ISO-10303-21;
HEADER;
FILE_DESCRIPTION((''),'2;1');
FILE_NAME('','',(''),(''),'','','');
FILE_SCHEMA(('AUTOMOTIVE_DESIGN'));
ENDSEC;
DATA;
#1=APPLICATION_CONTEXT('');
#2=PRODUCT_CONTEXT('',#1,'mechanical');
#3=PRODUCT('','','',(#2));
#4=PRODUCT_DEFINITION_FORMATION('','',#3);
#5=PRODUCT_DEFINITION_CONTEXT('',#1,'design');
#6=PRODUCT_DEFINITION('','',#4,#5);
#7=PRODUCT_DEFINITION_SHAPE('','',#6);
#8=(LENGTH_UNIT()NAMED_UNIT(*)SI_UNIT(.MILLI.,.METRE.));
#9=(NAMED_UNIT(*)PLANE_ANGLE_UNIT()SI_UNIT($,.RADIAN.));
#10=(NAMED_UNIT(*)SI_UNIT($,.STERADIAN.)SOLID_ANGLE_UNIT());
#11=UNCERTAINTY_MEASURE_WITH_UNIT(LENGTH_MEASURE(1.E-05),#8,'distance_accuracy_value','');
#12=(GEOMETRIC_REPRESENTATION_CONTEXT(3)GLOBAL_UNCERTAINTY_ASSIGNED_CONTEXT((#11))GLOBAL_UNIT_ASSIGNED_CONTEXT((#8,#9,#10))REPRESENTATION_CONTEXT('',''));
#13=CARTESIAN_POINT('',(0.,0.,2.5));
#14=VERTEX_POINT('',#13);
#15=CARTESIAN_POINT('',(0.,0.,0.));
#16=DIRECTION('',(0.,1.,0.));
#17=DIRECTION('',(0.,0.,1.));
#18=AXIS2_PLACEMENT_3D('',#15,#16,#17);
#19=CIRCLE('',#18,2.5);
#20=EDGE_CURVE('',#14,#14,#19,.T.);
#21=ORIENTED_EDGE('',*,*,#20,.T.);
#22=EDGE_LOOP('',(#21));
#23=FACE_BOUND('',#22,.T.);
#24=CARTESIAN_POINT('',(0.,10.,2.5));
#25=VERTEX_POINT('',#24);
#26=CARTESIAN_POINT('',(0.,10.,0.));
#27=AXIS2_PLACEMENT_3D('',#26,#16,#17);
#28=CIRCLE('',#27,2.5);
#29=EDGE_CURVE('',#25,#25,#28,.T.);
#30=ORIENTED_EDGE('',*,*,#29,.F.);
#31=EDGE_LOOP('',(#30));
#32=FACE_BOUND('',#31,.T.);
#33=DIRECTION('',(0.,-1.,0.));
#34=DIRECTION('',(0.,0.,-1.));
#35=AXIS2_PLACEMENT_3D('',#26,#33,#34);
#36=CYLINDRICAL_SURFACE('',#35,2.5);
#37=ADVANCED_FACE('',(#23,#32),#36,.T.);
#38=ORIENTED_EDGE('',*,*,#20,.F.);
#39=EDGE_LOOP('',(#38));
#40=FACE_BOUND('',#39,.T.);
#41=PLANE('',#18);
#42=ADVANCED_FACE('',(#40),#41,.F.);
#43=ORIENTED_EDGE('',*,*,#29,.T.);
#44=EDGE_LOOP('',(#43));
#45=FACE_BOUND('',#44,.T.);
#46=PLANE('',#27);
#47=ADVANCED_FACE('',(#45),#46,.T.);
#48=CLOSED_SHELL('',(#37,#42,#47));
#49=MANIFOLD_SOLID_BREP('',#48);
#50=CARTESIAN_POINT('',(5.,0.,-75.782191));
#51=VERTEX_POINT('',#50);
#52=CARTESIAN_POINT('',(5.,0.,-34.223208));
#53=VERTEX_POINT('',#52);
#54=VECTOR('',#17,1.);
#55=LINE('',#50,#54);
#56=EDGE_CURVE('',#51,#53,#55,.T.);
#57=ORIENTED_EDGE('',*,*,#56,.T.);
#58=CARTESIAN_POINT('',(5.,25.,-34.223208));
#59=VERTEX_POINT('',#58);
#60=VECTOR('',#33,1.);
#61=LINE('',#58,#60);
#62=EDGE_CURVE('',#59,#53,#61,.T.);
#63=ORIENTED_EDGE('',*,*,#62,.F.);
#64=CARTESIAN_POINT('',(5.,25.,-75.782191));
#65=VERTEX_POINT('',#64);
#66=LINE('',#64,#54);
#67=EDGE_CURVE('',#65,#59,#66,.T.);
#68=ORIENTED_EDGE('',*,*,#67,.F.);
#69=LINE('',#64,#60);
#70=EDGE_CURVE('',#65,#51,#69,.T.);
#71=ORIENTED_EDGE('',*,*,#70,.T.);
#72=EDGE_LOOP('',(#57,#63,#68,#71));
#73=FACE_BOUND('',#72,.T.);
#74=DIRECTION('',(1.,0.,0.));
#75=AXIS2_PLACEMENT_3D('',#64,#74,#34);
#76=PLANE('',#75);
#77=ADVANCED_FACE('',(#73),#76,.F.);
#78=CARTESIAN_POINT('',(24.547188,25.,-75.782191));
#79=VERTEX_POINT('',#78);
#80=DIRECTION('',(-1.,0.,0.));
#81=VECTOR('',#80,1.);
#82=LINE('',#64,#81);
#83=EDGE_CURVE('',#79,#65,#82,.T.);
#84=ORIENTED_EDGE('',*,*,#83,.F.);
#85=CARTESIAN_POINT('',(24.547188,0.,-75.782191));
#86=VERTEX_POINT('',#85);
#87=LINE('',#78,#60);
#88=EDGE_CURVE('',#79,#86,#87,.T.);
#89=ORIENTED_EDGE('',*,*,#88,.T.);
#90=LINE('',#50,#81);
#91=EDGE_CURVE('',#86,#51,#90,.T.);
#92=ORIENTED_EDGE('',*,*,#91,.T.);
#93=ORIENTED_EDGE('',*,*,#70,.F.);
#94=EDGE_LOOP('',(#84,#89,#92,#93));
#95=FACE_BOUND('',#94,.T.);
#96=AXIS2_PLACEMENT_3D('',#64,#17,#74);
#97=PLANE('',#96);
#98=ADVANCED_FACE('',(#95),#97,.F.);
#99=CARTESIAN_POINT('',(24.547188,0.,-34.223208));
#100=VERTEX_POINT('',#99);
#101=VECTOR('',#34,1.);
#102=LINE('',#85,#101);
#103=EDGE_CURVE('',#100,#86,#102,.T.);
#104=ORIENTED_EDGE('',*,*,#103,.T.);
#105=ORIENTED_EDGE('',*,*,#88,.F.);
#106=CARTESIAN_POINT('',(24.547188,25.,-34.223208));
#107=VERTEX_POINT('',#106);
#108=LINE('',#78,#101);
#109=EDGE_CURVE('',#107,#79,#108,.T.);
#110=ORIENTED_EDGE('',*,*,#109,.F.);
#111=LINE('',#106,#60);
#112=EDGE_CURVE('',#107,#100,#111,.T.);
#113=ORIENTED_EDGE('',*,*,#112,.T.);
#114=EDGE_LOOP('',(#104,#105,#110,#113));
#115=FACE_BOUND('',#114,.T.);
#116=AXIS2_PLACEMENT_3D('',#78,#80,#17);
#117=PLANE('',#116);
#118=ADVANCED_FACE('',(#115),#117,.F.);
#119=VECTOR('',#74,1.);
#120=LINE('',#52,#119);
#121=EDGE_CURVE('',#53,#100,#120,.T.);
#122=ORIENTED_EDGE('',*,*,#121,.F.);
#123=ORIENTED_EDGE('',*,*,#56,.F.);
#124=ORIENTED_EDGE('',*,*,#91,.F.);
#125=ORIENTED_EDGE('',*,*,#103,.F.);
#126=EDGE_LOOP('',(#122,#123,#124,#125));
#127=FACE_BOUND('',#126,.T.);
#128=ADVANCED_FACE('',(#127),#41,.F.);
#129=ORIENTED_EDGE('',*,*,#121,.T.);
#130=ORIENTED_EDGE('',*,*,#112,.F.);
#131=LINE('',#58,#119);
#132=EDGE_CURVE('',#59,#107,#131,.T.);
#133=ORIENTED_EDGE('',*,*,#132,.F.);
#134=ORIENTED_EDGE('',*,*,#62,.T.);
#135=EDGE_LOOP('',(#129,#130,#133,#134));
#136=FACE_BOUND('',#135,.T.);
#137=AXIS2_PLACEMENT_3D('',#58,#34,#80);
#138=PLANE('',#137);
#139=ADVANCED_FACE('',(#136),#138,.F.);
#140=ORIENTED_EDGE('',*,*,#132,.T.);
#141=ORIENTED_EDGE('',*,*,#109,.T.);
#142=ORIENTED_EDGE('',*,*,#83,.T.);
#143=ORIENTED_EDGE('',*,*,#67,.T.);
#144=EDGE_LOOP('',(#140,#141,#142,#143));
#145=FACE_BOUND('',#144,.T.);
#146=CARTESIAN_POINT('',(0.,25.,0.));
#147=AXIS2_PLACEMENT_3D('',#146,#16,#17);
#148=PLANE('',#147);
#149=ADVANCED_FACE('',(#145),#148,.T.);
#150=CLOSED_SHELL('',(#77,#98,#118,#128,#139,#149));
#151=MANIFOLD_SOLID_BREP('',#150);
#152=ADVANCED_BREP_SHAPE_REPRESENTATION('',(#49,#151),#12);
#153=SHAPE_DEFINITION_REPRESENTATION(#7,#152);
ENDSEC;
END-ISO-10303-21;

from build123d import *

# Parameters (mm, degrees)
CROQUIS1_R              = 2.5
SALIENTE_EXTRUIR1_DEPTH = 10
CROQUIS2_W              = 19.547187756
CROQUIS2_H              = 41.558983128
SALIENTE_EXTRUIR2_DEPTH = 25


with BuildPart() as part:
    # Croquis1 → Saliente-Extruir1 (new body)
    with BuildSketch(Plane(origin=(0, 0, 0), x_dir=(1, 0, 0), z_dir=(0, 1, 0))):
        with Locations(Location((0, 0, 0), (0, 0, 270))):
            Circle(CROQUIS1_R)
    extrude(amount=SALIENTE_EXTRUIR1_DEPTH)


with BuildPart() as body_2:
    # Croquis2 → Saliente-Extruir2 (new body)
    with BuildSketch(Plane(origin=(0, 0, 0), x_dir=(1, 0, 0), z_dir=(0, 1, 0))):
        with Locations((14.773593878, 55.00269981)):
            Rectangle(CROQUIS2_W, CROQUIS2_H)
    extrude(amount=SALIENTE_EXTRUIR2_DEPTH)


solid = Compound([part.part, body_2.part])
